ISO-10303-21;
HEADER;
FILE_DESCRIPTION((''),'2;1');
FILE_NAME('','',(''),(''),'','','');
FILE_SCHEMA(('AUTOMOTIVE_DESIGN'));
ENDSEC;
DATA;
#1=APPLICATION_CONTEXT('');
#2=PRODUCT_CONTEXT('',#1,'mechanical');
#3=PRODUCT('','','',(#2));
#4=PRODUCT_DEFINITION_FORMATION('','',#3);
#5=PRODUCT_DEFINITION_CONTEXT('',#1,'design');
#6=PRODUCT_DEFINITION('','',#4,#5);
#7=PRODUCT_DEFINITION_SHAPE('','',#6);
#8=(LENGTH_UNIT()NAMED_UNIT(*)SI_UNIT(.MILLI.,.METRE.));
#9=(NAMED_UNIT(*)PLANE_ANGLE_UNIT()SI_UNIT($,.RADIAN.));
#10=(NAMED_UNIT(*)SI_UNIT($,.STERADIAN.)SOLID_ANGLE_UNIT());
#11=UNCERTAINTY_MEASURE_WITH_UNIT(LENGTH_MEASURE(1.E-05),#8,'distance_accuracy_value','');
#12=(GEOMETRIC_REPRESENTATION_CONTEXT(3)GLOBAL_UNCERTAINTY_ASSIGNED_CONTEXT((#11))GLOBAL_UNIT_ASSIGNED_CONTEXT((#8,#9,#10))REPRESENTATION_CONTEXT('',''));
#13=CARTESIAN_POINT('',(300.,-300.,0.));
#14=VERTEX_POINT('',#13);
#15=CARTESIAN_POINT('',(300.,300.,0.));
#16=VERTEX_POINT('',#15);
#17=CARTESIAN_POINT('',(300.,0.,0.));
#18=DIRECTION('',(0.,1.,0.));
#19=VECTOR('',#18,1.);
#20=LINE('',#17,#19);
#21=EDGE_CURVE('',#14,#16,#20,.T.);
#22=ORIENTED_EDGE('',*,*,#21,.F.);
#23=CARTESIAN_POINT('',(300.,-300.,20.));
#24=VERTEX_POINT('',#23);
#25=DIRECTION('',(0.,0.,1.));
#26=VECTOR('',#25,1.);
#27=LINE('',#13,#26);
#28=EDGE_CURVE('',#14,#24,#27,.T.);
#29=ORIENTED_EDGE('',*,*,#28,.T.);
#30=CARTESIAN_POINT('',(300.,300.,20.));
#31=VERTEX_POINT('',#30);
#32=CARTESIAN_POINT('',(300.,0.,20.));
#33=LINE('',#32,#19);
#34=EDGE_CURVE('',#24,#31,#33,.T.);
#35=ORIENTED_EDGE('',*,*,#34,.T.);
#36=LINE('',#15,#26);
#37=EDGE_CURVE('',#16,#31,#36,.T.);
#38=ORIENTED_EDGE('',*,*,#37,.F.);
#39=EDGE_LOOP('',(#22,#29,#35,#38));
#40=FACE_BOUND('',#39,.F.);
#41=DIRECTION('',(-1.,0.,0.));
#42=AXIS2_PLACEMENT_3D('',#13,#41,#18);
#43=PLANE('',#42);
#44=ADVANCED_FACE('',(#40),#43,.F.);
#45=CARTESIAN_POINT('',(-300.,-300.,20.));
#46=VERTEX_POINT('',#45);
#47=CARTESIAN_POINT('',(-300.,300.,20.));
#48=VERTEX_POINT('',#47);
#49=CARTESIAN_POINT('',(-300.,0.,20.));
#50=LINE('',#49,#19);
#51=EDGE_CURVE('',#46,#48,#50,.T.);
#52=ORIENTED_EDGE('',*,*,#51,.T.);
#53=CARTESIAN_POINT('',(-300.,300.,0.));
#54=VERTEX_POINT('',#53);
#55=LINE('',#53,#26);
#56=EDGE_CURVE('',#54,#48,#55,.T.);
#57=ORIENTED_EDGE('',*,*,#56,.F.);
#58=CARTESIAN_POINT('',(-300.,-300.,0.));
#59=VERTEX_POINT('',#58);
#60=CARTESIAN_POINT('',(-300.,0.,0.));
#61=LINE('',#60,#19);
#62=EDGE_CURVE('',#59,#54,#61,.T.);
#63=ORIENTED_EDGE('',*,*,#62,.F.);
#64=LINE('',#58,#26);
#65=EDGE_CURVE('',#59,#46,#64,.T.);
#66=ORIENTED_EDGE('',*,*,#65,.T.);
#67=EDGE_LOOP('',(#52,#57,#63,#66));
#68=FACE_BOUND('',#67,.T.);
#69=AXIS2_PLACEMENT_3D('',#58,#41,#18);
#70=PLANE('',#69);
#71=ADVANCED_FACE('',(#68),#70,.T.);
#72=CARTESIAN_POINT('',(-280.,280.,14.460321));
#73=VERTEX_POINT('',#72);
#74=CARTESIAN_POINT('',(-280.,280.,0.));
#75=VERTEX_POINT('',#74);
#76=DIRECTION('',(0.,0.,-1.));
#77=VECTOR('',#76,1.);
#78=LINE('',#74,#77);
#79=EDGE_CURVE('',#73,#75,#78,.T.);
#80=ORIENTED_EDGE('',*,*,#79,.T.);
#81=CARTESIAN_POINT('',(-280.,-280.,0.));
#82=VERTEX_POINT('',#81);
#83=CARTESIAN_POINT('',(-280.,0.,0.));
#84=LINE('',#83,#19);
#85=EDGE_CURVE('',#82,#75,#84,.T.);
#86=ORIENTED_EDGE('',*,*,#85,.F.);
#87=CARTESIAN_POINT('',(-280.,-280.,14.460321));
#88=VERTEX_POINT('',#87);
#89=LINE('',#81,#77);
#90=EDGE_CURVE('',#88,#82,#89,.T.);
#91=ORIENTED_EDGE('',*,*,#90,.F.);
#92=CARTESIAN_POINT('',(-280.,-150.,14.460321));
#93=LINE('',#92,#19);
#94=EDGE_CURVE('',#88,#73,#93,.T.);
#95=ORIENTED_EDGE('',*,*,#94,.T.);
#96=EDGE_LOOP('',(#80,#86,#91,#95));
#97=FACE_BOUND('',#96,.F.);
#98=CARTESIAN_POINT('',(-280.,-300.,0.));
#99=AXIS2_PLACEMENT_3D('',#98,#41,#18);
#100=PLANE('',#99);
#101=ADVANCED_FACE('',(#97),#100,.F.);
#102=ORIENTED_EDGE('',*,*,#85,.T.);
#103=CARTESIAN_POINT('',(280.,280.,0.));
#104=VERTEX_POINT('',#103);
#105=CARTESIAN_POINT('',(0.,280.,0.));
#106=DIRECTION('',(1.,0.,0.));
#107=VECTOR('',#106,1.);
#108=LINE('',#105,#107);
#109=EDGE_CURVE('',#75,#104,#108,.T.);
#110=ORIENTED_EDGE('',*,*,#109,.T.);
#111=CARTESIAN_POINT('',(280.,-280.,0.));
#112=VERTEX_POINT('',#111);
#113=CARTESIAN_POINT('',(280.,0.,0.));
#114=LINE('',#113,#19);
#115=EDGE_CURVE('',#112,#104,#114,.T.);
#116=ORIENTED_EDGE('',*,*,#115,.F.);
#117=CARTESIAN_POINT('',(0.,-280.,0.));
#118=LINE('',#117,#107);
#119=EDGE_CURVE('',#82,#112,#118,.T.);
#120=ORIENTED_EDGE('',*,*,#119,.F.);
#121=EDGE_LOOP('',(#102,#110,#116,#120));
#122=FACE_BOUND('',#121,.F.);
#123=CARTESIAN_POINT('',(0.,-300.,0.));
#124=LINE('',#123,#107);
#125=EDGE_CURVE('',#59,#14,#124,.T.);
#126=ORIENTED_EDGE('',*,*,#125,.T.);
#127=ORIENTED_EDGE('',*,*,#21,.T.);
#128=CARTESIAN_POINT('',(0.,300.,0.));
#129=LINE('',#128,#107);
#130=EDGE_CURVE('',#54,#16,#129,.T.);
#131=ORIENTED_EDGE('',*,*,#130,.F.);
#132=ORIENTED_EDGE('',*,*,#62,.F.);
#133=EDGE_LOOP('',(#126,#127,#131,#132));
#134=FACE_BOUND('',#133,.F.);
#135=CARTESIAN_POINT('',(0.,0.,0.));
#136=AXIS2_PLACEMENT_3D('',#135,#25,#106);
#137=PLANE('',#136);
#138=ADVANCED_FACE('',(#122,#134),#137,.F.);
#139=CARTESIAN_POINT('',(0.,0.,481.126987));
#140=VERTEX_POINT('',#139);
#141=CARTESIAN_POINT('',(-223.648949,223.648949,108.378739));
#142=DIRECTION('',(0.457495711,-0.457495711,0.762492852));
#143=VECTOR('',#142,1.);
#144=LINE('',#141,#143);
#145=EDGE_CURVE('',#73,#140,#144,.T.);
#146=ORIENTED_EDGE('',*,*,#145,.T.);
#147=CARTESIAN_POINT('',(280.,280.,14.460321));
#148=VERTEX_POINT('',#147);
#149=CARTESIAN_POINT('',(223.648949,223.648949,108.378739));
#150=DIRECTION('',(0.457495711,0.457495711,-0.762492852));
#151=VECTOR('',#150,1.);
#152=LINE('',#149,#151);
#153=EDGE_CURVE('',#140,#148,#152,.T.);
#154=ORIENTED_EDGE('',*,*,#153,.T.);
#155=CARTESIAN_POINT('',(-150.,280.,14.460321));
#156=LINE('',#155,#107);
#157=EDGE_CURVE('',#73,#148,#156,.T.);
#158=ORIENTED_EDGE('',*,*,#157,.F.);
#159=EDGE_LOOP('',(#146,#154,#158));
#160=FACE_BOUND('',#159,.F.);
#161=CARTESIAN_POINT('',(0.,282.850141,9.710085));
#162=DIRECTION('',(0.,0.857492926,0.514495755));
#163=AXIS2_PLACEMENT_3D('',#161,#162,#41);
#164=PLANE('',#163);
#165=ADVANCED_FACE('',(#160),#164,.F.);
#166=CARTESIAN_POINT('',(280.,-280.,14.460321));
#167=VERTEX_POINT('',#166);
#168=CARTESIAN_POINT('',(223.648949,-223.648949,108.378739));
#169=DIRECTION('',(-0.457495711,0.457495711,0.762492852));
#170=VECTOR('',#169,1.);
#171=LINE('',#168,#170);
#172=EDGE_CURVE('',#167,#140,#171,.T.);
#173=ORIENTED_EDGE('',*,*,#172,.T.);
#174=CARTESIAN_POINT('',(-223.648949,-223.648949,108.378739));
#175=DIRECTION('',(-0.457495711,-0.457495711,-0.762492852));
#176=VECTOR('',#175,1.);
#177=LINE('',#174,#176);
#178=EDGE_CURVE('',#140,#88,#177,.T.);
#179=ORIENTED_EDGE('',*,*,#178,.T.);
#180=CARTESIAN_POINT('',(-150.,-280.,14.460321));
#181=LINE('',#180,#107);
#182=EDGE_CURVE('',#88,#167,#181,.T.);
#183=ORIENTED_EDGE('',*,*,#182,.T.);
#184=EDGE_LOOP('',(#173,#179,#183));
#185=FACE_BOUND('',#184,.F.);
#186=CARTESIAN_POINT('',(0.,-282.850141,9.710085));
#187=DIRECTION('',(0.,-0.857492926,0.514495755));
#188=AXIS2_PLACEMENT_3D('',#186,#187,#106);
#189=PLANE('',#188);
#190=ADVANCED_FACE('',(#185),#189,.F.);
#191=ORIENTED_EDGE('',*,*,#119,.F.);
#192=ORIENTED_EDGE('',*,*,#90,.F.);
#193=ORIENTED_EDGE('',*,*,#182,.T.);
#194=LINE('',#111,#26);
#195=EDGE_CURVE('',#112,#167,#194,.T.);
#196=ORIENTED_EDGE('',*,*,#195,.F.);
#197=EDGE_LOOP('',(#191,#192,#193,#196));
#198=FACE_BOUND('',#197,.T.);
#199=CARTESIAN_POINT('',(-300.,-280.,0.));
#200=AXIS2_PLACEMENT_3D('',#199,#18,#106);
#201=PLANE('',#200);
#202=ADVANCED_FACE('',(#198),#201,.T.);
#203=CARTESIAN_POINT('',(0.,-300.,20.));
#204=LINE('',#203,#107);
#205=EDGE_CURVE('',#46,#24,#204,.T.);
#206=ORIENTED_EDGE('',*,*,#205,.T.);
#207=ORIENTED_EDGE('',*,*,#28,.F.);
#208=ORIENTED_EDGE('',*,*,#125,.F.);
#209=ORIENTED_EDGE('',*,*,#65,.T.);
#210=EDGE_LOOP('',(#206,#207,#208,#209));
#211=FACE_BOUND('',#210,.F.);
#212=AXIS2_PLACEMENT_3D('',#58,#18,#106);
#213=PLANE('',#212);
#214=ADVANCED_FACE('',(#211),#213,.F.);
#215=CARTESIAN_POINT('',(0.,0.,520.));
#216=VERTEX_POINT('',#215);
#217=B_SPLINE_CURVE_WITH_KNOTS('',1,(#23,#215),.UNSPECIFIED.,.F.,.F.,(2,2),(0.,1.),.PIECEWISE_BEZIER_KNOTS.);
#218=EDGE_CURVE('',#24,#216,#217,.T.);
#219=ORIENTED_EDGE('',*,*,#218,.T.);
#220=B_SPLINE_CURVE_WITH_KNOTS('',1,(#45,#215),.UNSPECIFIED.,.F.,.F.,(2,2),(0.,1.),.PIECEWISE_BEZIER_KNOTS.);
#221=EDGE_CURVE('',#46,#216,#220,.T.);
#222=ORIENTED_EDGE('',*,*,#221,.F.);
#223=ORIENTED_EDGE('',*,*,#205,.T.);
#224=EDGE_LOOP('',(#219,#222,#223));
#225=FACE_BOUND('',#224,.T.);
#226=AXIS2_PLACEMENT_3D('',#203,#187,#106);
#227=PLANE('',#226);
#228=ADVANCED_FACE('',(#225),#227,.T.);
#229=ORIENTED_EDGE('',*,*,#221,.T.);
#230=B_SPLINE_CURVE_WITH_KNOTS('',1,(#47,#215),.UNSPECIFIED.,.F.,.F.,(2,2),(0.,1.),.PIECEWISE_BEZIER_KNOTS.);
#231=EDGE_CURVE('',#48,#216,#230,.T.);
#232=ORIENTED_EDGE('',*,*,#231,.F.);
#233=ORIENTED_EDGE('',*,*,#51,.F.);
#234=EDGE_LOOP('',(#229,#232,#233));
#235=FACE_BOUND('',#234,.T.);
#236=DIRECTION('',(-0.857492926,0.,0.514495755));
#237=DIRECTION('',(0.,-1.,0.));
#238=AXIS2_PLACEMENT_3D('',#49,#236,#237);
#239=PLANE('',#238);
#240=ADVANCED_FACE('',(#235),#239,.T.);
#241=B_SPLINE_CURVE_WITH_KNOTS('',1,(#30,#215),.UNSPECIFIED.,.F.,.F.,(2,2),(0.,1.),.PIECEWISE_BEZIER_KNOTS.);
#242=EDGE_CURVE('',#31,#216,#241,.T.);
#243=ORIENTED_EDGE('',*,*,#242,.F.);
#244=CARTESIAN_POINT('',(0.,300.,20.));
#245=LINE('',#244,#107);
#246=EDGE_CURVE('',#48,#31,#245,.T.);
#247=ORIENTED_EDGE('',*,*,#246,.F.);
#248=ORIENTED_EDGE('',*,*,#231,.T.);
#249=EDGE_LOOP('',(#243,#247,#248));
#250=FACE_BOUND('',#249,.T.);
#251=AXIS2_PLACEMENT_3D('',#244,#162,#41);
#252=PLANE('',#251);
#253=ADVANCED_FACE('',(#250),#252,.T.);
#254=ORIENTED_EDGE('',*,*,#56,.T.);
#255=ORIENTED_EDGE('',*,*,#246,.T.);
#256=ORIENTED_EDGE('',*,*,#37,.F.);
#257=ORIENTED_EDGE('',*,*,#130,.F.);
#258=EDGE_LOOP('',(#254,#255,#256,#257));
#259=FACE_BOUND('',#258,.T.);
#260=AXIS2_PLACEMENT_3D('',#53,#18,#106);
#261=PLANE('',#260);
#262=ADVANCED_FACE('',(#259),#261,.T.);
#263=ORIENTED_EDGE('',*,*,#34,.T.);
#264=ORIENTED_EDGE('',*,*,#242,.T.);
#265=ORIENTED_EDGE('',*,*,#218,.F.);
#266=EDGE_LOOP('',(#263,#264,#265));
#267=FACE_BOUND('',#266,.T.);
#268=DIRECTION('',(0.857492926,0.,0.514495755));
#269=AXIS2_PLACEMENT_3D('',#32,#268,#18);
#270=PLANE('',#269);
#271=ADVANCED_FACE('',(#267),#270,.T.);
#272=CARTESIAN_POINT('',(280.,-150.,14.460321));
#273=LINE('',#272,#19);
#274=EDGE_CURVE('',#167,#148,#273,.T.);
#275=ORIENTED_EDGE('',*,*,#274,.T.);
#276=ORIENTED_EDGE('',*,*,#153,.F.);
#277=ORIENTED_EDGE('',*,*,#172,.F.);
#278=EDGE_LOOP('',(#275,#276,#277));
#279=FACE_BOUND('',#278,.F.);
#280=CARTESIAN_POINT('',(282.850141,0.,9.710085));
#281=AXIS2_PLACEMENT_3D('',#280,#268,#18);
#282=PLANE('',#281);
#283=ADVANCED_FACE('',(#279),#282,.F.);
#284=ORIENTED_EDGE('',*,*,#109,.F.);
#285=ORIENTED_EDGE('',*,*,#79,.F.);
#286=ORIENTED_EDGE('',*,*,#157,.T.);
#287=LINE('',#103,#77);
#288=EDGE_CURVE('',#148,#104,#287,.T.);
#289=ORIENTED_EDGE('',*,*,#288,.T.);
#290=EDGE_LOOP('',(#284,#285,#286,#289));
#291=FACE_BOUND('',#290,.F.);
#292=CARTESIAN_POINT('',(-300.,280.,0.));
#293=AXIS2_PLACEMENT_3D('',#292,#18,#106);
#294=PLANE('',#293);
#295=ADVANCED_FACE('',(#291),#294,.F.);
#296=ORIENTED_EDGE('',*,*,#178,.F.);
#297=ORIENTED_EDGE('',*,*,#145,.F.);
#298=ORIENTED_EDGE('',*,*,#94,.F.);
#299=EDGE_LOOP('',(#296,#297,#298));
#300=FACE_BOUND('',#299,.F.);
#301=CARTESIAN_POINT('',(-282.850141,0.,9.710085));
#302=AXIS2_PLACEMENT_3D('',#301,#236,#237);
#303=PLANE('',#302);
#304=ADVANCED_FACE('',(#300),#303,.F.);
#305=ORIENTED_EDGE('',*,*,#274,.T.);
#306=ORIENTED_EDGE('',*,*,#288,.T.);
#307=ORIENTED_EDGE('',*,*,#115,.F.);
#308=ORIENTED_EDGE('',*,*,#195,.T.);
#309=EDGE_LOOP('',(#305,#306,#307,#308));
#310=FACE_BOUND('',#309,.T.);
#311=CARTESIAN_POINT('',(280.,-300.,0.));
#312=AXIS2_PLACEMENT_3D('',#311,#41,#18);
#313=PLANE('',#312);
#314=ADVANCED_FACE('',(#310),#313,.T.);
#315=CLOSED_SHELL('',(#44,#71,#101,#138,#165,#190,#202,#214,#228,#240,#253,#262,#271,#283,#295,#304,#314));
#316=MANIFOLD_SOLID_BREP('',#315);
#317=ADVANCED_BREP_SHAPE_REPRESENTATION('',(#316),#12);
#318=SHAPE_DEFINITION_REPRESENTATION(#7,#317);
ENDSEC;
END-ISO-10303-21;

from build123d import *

# Parameters (mm, degrees)
F0_W      = 600
F0_H      = 600
F1_DEPTH  = 20
F1_FACE_W = 600
F1_FACE_H = 600
F5_T      = -20


with BuildPart() as f1:
    # F0 (on Top) → F1 (new body)
    with BuildSketch(Plane.XY):
        Rectangle(F0_W, F0_H)
    extrude(amount=F1_DEPTH)

    # F1_face (on face) → F4 section 0
    with BuildSketch(Plane.XY.offset(20), mode=Mode.PRIVATE) as f4_s0:
        Rectangle(F1_FACE_W, F1_FACE_H)
    loft([f4_s0.sketch, Vertex(0, 0, 520)])

    # F5
    f5_openings = [f1.faces().sort_by_distance(p)[0] for p in [
        (0, 0, 0),
    ]]
    offset(amount=F5_T, openings=f5_openings)


solid = f1.part
